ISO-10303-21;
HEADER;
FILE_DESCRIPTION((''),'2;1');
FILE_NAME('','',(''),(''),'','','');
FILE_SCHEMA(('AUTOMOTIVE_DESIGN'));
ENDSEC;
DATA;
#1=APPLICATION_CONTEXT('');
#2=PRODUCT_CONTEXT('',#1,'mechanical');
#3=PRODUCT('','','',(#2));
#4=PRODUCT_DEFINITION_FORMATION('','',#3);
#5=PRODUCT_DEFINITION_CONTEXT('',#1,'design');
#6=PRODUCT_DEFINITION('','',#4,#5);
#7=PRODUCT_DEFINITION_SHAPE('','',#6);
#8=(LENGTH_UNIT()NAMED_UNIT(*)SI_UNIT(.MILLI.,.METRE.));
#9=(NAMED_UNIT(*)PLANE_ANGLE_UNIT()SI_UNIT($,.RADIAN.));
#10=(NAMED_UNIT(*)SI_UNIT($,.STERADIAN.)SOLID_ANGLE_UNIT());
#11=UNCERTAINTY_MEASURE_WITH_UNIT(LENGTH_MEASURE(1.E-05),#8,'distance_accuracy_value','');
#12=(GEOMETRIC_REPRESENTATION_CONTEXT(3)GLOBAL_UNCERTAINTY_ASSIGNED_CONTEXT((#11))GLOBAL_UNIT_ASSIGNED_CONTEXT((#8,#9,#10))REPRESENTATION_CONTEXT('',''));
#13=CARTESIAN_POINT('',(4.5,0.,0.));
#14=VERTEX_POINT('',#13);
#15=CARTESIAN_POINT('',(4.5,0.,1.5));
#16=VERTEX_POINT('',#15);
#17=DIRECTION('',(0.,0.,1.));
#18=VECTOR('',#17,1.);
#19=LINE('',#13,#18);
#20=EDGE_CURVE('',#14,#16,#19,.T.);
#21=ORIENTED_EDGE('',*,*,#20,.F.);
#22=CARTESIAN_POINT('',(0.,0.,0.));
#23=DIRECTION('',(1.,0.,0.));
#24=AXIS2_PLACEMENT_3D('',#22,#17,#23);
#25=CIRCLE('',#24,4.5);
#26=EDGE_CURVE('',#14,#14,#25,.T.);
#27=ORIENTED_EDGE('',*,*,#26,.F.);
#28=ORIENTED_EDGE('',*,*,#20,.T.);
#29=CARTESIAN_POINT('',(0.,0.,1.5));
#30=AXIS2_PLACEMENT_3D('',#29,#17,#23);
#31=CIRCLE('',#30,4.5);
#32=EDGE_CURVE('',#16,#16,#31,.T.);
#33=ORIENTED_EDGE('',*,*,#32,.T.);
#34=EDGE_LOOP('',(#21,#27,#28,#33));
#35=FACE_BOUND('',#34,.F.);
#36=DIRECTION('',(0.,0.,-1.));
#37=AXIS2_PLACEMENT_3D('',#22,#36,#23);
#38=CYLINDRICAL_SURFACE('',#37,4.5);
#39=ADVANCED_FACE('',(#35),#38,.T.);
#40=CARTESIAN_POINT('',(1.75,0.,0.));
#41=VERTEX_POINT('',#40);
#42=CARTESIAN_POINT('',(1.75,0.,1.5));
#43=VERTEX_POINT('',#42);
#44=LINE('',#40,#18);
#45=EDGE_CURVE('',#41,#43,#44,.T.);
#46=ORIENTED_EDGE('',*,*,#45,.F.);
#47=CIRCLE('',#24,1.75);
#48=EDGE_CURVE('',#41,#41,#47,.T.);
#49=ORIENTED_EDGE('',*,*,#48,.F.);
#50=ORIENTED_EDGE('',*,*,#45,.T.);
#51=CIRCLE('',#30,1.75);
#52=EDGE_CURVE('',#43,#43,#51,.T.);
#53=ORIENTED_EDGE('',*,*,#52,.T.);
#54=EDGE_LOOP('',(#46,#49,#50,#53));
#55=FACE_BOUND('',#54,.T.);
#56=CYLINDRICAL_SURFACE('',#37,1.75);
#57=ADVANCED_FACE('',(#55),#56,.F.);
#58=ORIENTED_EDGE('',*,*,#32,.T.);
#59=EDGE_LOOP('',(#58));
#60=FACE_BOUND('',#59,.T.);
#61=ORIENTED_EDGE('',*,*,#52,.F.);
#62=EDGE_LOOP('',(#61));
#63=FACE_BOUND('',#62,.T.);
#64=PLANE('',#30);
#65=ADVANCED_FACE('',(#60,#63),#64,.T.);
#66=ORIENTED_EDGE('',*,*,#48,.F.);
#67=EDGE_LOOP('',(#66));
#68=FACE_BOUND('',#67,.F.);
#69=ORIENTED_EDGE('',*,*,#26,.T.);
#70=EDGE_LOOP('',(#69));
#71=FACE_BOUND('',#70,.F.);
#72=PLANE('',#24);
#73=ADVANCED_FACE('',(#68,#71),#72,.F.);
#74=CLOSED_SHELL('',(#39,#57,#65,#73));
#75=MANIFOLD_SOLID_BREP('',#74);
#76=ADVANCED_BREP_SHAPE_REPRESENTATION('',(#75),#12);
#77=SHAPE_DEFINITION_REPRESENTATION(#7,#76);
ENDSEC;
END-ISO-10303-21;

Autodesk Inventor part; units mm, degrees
ref_plane "YZ Plane" through (0, 0, 0) normal (1, 0, 0) x (0, 1, 0)
ref_plane "XZ Plane" through (0, 0, 0) normal (0, 1, 0) x (-1, 0, 0)
ref_plane "XY Plane" through (0, 0, 0) normal (0, 0, 1) x (1, 0, 0)
sketch "Sketch1" plane through (0, 0, 0) normal (0, 0, 1) x (1, 0, 0)
  circle A0 centre (0, 0) radius 1.75
  circle A1 centre (0, 0) radius 4.5
  dimension "d0" = 3.5
  dimension "d1" = 9
extrude "Extrusion1" add sketch "Sketch1" along normal blind 1.5
properties part number "washer"
